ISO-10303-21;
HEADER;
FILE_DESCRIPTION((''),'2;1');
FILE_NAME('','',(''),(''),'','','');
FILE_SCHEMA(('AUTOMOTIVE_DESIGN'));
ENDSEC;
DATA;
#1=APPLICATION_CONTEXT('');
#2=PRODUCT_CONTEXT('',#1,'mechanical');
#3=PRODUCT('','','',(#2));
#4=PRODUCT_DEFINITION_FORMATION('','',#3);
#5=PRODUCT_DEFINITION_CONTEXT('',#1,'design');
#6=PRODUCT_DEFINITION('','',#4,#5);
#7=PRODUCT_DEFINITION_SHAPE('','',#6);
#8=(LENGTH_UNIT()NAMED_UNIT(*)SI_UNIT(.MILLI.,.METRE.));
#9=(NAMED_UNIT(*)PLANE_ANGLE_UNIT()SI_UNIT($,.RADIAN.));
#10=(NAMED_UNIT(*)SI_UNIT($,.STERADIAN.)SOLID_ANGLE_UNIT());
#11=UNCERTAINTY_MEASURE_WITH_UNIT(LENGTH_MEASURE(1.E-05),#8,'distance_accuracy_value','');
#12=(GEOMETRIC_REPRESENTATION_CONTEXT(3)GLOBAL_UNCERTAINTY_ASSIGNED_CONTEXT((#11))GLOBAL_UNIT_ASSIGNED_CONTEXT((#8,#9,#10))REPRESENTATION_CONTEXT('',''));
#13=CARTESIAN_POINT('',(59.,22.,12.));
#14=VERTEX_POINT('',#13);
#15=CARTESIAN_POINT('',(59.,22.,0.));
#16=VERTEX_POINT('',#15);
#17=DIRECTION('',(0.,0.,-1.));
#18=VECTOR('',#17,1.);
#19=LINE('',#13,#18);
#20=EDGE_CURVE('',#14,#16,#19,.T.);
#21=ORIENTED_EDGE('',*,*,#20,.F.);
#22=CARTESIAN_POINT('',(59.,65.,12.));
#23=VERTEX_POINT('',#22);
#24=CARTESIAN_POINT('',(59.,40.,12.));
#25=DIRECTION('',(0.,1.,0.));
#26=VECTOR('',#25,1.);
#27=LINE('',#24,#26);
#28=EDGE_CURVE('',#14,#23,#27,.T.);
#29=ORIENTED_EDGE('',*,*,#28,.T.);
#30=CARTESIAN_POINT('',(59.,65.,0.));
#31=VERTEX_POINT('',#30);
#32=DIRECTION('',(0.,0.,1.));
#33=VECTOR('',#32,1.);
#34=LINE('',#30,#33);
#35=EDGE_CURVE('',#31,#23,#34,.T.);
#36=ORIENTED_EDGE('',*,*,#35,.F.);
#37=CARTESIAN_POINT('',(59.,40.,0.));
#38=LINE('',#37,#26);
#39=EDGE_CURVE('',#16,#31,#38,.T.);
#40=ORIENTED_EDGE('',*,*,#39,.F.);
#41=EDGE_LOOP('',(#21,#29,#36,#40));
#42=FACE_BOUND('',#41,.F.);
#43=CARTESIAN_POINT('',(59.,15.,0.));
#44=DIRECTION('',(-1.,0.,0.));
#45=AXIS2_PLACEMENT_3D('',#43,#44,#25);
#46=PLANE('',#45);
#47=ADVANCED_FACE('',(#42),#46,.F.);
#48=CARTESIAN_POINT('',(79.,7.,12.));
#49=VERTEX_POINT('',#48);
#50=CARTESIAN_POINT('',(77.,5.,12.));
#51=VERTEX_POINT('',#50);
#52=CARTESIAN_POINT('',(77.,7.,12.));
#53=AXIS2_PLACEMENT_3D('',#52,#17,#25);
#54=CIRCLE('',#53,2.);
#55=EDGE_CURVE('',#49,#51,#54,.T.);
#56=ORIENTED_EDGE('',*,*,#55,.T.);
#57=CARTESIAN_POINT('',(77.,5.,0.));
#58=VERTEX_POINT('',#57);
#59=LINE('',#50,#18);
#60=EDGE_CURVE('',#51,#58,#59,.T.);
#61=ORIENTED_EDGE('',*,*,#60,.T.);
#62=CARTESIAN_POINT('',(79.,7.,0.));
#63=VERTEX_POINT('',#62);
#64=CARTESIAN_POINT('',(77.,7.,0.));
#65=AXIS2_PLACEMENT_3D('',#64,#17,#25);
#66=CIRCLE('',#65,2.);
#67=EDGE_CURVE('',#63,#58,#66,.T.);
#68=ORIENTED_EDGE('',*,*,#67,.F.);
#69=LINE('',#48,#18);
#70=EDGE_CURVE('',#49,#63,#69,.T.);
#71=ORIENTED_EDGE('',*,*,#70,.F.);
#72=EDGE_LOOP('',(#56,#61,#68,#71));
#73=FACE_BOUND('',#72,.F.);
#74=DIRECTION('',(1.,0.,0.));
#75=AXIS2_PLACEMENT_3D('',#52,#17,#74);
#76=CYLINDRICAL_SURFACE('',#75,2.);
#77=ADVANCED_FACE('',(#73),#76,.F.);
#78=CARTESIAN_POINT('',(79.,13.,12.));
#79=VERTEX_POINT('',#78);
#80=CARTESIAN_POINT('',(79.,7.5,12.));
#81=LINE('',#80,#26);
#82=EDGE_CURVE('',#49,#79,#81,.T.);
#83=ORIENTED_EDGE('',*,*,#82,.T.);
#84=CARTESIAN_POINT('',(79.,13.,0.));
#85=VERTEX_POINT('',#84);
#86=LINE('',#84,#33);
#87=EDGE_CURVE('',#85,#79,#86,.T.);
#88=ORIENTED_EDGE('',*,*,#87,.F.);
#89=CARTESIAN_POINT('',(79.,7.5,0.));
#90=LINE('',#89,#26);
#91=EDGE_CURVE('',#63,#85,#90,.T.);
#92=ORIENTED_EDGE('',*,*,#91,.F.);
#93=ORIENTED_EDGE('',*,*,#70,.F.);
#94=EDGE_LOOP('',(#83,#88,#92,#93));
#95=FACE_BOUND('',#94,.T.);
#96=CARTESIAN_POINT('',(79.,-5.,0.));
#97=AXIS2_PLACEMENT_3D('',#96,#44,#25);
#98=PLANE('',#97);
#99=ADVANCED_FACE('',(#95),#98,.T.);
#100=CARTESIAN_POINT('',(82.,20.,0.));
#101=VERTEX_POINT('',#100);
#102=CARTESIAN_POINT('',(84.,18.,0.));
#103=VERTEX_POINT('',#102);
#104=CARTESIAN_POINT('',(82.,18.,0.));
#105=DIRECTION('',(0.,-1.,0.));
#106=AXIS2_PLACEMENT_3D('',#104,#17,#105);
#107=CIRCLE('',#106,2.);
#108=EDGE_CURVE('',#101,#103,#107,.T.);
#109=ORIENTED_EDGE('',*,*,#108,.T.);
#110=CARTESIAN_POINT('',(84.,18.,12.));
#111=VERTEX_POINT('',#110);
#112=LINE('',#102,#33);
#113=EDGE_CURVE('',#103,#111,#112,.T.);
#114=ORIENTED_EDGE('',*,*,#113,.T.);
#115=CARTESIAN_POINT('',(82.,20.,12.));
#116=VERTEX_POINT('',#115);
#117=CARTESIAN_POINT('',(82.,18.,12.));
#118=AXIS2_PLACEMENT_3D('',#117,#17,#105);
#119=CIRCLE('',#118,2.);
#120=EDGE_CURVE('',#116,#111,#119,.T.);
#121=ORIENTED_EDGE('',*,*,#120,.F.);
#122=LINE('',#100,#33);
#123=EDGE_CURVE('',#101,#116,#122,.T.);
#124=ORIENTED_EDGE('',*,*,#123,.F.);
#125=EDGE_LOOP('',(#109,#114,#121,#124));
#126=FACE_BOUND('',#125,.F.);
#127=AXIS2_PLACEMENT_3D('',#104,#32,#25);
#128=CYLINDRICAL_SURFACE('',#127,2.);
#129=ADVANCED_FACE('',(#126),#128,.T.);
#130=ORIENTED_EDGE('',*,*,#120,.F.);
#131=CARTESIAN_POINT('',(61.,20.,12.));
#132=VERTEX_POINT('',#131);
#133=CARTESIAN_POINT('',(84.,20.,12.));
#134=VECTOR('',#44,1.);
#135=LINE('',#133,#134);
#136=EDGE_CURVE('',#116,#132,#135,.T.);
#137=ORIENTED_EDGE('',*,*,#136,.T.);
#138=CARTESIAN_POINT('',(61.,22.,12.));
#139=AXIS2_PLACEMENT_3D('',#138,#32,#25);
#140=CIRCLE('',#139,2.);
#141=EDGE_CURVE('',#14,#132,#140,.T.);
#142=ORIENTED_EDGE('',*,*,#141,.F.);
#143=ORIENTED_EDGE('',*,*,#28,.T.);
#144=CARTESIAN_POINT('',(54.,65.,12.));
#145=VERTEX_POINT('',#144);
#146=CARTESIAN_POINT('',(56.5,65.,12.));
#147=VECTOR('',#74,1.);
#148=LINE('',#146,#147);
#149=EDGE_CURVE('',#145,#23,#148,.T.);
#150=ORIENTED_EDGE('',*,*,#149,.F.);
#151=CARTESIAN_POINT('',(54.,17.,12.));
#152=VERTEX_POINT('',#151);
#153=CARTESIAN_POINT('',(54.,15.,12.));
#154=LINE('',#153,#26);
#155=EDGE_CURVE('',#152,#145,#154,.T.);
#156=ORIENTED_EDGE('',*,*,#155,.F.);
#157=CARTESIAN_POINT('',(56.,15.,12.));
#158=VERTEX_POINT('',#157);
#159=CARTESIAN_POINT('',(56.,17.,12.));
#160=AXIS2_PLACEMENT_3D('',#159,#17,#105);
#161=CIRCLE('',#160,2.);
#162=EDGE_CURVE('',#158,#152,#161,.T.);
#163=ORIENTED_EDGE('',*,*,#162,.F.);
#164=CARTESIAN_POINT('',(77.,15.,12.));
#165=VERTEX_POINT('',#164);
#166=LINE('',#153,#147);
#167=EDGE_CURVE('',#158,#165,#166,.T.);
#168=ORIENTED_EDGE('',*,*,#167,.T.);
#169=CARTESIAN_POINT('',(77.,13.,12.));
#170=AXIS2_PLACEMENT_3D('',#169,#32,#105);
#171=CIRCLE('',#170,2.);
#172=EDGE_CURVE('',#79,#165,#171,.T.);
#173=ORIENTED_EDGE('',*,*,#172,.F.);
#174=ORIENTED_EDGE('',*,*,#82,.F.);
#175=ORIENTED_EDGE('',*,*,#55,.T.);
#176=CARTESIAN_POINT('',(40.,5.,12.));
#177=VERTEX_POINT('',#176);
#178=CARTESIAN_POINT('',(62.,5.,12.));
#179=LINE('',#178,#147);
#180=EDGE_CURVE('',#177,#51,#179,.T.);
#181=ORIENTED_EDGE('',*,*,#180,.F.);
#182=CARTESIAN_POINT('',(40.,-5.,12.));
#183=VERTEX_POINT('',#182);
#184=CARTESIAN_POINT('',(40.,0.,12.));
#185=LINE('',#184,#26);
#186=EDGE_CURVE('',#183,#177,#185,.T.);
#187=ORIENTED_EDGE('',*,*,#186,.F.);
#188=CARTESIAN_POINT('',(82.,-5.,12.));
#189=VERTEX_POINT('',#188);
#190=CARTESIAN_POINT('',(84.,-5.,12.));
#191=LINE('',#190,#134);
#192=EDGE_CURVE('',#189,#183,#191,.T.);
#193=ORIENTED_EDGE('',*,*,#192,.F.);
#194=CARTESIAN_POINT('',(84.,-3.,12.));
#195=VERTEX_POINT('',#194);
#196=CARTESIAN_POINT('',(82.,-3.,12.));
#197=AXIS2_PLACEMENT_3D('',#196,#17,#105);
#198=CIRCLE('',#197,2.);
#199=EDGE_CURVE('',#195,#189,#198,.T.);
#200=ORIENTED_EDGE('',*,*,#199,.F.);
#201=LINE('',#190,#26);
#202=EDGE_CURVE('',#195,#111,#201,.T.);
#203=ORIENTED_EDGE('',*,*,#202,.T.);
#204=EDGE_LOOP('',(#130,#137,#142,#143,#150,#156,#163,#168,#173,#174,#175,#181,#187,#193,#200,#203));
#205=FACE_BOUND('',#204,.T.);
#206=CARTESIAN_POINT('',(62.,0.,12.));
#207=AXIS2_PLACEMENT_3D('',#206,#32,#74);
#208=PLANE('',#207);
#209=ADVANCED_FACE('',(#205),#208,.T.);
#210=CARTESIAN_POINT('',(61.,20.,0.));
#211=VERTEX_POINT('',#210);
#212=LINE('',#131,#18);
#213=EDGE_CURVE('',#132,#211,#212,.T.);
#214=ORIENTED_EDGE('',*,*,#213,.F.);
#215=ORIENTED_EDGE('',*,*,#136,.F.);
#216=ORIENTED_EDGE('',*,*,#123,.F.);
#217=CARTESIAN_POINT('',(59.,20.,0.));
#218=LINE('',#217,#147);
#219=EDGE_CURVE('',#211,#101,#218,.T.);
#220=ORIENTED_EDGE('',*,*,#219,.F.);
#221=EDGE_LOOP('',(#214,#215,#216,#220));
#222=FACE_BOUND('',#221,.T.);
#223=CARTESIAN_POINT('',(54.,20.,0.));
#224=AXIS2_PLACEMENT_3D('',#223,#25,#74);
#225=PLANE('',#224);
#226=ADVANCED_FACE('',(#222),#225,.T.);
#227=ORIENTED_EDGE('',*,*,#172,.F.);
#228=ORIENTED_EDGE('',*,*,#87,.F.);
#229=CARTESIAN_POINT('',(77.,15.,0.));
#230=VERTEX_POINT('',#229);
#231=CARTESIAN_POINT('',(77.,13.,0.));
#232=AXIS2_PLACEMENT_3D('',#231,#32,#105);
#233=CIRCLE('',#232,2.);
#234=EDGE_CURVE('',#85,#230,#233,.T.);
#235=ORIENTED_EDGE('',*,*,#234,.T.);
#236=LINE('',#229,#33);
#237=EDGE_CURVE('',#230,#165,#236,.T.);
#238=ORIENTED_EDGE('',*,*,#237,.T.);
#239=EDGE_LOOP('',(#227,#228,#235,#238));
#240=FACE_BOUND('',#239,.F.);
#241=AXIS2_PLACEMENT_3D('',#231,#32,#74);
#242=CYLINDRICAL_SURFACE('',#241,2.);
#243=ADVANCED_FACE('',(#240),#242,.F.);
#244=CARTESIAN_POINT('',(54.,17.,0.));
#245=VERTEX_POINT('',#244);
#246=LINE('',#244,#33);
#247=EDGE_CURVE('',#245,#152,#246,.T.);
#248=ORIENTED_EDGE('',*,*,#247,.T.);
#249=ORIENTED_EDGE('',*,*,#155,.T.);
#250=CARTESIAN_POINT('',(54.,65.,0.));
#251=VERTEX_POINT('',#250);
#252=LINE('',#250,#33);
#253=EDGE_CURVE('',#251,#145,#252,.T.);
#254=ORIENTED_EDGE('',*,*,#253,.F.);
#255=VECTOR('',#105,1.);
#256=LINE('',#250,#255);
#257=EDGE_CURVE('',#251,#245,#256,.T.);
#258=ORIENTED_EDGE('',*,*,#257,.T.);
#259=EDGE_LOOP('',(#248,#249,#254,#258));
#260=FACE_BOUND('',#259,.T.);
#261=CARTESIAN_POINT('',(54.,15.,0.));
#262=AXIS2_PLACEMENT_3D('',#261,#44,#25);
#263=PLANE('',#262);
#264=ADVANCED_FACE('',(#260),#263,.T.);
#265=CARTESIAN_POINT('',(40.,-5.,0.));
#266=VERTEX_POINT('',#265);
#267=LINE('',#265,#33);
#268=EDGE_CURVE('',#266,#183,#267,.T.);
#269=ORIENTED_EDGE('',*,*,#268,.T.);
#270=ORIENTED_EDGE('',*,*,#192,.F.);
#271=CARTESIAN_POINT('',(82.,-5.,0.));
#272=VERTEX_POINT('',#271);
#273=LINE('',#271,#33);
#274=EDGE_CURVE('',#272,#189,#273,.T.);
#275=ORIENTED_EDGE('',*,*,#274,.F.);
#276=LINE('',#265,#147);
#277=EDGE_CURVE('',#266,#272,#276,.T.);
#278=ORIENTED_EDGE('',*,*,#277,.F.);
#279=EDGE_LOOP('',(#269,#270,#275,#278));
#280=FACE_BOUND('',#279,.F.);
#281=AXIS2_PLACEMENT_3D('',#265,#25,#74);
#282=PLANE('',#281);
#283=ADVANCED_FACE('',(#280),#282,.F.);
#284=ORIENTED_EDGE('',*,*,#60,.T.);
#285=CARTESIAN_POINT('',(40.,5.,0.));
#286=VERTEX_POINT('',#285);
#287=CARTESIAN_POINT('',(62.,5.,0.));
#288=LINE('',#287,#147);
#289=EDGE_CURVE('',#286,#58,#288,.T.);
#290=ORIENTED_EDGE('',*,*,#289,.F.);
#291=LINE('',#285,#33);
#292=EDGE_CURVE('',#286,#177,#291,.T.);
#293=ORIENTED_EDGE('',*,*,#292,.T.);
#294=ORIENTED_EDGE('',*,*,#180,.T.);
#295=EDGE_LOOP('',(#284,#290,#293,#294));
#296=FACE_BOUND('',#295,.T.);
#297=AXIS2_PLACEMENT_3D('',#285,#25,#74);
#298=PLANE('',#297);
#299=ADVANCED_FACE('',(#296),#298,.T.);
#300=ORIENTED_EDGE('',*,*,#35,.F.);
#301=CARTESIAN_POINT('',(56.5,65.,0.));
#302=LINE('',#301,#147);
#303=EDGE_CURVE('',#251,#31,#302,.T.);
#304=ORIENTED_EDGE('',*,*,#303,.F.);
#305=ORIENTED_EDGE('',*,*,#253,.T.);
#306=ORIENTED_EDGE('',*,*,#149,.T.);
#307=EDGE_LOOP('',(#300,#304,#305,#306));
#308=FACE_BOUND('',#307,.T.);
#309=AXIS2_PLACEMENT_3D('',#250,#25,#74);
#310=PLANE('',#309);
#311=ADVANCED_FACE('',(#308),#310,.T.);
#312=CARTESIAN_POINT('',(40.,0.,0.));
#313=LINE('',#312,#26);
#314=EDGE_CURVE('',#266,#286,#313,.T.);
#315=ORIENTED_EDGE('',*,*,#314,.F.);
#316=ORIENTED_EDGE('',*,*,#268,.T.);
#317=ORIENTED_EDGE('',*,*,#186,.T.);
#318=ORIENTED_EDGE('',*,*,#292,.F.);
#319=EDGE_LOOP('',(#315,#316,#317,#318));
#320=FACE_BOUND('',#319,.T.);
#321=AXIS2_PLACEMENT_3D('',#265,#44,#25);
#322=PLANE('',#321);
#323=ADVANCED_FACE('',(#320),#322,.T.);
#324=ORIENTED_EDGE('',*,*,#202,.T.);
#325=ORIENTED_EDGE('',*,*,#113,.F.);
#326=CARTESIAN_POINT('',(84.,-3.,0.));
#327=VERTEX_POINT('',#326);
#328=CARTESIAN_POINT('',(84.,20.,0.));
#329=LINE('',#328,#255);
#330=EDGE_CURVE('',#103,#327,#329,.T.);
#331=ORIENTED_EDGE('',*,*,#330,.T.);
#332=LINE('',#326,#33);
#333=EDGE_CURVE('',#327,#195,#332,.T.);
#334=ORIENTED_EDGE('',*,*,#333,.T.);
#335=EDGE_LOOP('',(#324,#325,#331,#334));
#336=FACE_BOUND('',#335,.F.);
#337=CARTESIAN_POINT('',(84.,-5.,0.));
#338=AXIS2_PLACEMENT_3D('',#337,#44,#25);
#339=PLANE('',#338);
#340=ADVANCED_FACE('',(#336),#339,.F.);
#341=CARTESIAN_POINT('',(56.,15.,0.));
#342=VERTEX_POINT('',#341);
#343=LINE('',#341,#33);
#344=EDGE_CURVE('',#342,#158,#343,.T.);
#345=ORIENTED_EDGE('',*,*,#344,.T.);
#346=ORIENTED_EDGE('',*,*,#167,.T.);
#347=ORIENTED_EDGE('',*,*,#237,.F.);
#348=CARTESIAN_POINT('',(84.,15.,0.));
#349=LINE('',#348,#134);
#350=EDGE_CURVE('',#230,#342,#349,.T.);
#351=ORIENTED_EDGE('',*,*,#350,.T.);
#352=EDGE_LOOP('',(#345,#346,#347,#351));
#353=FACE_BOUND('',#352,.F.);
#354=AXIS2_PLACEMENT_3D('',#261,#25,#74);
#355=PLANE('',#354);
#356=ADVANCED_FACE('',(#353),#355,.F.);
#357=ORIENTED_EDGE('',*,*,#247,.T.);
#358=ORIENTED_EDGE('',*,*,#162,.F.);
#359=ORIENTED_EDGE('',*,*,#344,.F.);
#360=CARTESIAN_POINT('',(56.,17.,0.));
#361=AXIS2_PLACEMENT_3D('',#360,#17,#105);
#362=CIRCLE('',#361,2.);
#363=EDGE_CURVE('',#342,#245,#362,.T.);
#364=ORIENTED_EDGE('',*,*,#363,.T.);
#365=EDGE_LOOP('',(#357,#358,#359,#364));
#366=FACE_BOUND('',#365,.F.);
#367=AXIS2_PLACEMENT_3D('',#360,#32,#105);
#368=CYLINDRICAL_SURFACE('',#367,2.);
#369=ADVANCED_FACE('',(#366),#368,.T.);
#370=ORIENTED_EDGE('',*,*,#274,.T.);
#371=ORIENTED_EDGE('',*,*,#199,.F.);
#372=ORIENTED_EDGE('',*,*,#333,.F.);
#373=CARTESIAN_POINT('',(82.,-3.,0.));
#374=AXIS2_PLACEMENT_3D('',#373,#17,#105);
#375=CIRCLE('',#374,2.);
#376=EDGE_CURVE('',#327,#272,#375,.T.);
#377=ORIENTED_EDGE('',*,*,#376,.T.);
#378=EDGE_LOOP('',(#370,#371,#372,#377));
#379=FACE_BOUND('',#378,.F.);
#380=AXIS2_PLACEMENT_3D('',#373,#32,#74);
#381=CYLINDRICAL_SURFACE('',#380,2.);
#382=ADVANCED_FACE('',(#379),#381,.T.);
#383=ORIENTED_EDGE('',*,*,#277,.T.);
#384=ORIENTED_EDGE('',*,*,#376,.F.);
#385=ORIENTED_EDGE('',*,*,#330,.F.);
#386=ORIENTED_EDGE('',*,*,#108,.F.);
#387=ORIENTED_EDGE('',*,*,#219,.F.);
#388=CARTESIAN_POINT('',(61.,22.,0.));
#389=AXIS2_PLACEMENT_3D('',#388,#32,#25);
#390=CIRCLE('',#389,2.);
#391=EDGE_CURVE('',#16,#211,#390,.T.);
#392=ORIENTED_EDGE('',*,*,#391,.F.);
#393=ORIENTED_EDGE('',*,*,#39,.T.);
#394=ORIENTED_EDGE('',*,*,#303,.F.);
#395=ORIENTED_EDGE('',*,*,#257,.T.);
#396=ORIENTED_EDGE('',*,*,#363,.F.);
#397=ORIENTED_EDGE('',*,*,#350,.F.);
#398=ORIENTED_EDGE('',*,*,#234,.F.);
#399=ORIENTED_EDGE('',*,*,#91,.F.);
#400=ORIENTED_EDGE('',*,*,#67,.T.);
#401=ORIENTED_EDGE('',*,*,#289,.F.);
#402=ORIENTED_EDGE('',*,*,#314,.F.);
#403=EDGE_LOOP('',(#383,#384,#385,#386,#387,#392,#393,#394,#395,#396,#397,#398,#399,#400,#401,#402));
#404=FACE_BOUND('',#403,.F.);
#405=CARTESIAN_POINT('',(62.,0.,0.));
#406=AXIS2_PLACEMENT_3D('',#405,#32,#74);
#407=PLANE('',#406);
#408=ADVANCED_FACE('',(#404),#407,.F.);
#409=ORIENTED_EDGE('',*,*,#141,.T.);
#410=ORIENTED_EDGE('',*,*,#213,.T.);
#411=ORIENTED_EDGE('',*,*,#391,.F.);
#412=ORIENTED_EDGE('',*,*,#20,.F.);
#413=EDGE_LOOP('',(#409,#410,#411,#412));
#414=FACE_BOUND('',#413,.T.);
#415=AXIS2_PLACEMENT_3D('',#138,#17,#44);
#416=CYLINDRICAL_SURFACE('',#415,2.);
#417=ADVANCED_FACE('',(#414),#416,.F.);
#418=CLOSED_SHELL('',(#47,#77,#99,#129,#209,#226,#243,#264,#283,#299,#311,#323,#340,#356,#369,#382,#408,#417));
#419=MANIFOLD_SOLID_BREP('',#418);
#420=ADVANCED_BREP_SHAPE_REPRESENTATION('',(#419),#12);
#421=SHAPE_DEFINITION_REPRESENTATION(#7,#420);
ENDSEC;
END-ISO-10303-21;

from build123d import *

# Parameters (mm, degrees)
BOX010_W     = 30
BOX010_H     = 5
BOX010_DEPTH = 12
BOX009_W     = 5
BOX009_H     = 25
BOX009_DEPTH = 12
BOX008_W     = 44
BOX008_H     = 10
BOX008_DEPTH = 12
BOX011_W     = 5
BOX011_H     = 50
BOX011_DEPTH = 12
FILLET001_R  = 2


with BuildPart() as cube010:
    # Box010 → Box010 (new body)
    with BuildSketch(Plane(origin=(54, 15, 0), x_dir=(1, 0, 0), z_dir=(0, 0, 1))):
        with Locations((15, 2.5)):
            Rectangle(BOX010_W, BOX010_H)
    extrude(amount=BOX010_DEPTH)


with BuildPart() as cube009:
    # Box009 → Box009 (new body)
    with BuildSketch(Plane(origin=(79, -5, 0), x_dir=(1, 0, 0), z_dir=(0, 0, 1))):
        with Locations((2.5, 12.5)):
            Rectangle(BOX009_W, BOX009_H)
    extrude(amount=BOX009_DEPTH)


with BuildPart() as cube008:
    # Box008 → Box008 (new body)
    with BuildSketch(Plane(origin=(40, -5, 0), x_dir=(1, 0, 0), z_dir=(0, 0, 1))):
        with Locations((22, 5)):
            Rectangle(BOX008_W, BOX008_H)
    extrude(amount=BOX008_DEPTH)


with BuildPart() as fillet001:
    # Box011 → Box011 (new body)
    with BuildSketch(Plane(origin=(54, 15, 0), x_dir=(1, 0, 0), z_dir=(0, 0, 1))):
        with Locations((2.5, 25)):
            Rectangle(BOX011_W, BOX011_H)
    extrude(amount=BOX011_DEPTH)

    # Fusion002006: union Cube010, Cube009, Cube008
    add(cube010.part)
    add(cube009.part)
    add(cube008.part)

    # Fillet001
    fillet001_edges = [fillet001.edges().sort_by_distance(p)[0] for p in [
        (79, 15, 6),
        (79, 5, 6),
        (54, 15, 6),
        (59, 20, 6),
        (84, 20, 6),
        (84, -5, 6),
    ]]
    fillet(fillet001_edges, radius=FILLET001_R)


solid = fillet001.part
